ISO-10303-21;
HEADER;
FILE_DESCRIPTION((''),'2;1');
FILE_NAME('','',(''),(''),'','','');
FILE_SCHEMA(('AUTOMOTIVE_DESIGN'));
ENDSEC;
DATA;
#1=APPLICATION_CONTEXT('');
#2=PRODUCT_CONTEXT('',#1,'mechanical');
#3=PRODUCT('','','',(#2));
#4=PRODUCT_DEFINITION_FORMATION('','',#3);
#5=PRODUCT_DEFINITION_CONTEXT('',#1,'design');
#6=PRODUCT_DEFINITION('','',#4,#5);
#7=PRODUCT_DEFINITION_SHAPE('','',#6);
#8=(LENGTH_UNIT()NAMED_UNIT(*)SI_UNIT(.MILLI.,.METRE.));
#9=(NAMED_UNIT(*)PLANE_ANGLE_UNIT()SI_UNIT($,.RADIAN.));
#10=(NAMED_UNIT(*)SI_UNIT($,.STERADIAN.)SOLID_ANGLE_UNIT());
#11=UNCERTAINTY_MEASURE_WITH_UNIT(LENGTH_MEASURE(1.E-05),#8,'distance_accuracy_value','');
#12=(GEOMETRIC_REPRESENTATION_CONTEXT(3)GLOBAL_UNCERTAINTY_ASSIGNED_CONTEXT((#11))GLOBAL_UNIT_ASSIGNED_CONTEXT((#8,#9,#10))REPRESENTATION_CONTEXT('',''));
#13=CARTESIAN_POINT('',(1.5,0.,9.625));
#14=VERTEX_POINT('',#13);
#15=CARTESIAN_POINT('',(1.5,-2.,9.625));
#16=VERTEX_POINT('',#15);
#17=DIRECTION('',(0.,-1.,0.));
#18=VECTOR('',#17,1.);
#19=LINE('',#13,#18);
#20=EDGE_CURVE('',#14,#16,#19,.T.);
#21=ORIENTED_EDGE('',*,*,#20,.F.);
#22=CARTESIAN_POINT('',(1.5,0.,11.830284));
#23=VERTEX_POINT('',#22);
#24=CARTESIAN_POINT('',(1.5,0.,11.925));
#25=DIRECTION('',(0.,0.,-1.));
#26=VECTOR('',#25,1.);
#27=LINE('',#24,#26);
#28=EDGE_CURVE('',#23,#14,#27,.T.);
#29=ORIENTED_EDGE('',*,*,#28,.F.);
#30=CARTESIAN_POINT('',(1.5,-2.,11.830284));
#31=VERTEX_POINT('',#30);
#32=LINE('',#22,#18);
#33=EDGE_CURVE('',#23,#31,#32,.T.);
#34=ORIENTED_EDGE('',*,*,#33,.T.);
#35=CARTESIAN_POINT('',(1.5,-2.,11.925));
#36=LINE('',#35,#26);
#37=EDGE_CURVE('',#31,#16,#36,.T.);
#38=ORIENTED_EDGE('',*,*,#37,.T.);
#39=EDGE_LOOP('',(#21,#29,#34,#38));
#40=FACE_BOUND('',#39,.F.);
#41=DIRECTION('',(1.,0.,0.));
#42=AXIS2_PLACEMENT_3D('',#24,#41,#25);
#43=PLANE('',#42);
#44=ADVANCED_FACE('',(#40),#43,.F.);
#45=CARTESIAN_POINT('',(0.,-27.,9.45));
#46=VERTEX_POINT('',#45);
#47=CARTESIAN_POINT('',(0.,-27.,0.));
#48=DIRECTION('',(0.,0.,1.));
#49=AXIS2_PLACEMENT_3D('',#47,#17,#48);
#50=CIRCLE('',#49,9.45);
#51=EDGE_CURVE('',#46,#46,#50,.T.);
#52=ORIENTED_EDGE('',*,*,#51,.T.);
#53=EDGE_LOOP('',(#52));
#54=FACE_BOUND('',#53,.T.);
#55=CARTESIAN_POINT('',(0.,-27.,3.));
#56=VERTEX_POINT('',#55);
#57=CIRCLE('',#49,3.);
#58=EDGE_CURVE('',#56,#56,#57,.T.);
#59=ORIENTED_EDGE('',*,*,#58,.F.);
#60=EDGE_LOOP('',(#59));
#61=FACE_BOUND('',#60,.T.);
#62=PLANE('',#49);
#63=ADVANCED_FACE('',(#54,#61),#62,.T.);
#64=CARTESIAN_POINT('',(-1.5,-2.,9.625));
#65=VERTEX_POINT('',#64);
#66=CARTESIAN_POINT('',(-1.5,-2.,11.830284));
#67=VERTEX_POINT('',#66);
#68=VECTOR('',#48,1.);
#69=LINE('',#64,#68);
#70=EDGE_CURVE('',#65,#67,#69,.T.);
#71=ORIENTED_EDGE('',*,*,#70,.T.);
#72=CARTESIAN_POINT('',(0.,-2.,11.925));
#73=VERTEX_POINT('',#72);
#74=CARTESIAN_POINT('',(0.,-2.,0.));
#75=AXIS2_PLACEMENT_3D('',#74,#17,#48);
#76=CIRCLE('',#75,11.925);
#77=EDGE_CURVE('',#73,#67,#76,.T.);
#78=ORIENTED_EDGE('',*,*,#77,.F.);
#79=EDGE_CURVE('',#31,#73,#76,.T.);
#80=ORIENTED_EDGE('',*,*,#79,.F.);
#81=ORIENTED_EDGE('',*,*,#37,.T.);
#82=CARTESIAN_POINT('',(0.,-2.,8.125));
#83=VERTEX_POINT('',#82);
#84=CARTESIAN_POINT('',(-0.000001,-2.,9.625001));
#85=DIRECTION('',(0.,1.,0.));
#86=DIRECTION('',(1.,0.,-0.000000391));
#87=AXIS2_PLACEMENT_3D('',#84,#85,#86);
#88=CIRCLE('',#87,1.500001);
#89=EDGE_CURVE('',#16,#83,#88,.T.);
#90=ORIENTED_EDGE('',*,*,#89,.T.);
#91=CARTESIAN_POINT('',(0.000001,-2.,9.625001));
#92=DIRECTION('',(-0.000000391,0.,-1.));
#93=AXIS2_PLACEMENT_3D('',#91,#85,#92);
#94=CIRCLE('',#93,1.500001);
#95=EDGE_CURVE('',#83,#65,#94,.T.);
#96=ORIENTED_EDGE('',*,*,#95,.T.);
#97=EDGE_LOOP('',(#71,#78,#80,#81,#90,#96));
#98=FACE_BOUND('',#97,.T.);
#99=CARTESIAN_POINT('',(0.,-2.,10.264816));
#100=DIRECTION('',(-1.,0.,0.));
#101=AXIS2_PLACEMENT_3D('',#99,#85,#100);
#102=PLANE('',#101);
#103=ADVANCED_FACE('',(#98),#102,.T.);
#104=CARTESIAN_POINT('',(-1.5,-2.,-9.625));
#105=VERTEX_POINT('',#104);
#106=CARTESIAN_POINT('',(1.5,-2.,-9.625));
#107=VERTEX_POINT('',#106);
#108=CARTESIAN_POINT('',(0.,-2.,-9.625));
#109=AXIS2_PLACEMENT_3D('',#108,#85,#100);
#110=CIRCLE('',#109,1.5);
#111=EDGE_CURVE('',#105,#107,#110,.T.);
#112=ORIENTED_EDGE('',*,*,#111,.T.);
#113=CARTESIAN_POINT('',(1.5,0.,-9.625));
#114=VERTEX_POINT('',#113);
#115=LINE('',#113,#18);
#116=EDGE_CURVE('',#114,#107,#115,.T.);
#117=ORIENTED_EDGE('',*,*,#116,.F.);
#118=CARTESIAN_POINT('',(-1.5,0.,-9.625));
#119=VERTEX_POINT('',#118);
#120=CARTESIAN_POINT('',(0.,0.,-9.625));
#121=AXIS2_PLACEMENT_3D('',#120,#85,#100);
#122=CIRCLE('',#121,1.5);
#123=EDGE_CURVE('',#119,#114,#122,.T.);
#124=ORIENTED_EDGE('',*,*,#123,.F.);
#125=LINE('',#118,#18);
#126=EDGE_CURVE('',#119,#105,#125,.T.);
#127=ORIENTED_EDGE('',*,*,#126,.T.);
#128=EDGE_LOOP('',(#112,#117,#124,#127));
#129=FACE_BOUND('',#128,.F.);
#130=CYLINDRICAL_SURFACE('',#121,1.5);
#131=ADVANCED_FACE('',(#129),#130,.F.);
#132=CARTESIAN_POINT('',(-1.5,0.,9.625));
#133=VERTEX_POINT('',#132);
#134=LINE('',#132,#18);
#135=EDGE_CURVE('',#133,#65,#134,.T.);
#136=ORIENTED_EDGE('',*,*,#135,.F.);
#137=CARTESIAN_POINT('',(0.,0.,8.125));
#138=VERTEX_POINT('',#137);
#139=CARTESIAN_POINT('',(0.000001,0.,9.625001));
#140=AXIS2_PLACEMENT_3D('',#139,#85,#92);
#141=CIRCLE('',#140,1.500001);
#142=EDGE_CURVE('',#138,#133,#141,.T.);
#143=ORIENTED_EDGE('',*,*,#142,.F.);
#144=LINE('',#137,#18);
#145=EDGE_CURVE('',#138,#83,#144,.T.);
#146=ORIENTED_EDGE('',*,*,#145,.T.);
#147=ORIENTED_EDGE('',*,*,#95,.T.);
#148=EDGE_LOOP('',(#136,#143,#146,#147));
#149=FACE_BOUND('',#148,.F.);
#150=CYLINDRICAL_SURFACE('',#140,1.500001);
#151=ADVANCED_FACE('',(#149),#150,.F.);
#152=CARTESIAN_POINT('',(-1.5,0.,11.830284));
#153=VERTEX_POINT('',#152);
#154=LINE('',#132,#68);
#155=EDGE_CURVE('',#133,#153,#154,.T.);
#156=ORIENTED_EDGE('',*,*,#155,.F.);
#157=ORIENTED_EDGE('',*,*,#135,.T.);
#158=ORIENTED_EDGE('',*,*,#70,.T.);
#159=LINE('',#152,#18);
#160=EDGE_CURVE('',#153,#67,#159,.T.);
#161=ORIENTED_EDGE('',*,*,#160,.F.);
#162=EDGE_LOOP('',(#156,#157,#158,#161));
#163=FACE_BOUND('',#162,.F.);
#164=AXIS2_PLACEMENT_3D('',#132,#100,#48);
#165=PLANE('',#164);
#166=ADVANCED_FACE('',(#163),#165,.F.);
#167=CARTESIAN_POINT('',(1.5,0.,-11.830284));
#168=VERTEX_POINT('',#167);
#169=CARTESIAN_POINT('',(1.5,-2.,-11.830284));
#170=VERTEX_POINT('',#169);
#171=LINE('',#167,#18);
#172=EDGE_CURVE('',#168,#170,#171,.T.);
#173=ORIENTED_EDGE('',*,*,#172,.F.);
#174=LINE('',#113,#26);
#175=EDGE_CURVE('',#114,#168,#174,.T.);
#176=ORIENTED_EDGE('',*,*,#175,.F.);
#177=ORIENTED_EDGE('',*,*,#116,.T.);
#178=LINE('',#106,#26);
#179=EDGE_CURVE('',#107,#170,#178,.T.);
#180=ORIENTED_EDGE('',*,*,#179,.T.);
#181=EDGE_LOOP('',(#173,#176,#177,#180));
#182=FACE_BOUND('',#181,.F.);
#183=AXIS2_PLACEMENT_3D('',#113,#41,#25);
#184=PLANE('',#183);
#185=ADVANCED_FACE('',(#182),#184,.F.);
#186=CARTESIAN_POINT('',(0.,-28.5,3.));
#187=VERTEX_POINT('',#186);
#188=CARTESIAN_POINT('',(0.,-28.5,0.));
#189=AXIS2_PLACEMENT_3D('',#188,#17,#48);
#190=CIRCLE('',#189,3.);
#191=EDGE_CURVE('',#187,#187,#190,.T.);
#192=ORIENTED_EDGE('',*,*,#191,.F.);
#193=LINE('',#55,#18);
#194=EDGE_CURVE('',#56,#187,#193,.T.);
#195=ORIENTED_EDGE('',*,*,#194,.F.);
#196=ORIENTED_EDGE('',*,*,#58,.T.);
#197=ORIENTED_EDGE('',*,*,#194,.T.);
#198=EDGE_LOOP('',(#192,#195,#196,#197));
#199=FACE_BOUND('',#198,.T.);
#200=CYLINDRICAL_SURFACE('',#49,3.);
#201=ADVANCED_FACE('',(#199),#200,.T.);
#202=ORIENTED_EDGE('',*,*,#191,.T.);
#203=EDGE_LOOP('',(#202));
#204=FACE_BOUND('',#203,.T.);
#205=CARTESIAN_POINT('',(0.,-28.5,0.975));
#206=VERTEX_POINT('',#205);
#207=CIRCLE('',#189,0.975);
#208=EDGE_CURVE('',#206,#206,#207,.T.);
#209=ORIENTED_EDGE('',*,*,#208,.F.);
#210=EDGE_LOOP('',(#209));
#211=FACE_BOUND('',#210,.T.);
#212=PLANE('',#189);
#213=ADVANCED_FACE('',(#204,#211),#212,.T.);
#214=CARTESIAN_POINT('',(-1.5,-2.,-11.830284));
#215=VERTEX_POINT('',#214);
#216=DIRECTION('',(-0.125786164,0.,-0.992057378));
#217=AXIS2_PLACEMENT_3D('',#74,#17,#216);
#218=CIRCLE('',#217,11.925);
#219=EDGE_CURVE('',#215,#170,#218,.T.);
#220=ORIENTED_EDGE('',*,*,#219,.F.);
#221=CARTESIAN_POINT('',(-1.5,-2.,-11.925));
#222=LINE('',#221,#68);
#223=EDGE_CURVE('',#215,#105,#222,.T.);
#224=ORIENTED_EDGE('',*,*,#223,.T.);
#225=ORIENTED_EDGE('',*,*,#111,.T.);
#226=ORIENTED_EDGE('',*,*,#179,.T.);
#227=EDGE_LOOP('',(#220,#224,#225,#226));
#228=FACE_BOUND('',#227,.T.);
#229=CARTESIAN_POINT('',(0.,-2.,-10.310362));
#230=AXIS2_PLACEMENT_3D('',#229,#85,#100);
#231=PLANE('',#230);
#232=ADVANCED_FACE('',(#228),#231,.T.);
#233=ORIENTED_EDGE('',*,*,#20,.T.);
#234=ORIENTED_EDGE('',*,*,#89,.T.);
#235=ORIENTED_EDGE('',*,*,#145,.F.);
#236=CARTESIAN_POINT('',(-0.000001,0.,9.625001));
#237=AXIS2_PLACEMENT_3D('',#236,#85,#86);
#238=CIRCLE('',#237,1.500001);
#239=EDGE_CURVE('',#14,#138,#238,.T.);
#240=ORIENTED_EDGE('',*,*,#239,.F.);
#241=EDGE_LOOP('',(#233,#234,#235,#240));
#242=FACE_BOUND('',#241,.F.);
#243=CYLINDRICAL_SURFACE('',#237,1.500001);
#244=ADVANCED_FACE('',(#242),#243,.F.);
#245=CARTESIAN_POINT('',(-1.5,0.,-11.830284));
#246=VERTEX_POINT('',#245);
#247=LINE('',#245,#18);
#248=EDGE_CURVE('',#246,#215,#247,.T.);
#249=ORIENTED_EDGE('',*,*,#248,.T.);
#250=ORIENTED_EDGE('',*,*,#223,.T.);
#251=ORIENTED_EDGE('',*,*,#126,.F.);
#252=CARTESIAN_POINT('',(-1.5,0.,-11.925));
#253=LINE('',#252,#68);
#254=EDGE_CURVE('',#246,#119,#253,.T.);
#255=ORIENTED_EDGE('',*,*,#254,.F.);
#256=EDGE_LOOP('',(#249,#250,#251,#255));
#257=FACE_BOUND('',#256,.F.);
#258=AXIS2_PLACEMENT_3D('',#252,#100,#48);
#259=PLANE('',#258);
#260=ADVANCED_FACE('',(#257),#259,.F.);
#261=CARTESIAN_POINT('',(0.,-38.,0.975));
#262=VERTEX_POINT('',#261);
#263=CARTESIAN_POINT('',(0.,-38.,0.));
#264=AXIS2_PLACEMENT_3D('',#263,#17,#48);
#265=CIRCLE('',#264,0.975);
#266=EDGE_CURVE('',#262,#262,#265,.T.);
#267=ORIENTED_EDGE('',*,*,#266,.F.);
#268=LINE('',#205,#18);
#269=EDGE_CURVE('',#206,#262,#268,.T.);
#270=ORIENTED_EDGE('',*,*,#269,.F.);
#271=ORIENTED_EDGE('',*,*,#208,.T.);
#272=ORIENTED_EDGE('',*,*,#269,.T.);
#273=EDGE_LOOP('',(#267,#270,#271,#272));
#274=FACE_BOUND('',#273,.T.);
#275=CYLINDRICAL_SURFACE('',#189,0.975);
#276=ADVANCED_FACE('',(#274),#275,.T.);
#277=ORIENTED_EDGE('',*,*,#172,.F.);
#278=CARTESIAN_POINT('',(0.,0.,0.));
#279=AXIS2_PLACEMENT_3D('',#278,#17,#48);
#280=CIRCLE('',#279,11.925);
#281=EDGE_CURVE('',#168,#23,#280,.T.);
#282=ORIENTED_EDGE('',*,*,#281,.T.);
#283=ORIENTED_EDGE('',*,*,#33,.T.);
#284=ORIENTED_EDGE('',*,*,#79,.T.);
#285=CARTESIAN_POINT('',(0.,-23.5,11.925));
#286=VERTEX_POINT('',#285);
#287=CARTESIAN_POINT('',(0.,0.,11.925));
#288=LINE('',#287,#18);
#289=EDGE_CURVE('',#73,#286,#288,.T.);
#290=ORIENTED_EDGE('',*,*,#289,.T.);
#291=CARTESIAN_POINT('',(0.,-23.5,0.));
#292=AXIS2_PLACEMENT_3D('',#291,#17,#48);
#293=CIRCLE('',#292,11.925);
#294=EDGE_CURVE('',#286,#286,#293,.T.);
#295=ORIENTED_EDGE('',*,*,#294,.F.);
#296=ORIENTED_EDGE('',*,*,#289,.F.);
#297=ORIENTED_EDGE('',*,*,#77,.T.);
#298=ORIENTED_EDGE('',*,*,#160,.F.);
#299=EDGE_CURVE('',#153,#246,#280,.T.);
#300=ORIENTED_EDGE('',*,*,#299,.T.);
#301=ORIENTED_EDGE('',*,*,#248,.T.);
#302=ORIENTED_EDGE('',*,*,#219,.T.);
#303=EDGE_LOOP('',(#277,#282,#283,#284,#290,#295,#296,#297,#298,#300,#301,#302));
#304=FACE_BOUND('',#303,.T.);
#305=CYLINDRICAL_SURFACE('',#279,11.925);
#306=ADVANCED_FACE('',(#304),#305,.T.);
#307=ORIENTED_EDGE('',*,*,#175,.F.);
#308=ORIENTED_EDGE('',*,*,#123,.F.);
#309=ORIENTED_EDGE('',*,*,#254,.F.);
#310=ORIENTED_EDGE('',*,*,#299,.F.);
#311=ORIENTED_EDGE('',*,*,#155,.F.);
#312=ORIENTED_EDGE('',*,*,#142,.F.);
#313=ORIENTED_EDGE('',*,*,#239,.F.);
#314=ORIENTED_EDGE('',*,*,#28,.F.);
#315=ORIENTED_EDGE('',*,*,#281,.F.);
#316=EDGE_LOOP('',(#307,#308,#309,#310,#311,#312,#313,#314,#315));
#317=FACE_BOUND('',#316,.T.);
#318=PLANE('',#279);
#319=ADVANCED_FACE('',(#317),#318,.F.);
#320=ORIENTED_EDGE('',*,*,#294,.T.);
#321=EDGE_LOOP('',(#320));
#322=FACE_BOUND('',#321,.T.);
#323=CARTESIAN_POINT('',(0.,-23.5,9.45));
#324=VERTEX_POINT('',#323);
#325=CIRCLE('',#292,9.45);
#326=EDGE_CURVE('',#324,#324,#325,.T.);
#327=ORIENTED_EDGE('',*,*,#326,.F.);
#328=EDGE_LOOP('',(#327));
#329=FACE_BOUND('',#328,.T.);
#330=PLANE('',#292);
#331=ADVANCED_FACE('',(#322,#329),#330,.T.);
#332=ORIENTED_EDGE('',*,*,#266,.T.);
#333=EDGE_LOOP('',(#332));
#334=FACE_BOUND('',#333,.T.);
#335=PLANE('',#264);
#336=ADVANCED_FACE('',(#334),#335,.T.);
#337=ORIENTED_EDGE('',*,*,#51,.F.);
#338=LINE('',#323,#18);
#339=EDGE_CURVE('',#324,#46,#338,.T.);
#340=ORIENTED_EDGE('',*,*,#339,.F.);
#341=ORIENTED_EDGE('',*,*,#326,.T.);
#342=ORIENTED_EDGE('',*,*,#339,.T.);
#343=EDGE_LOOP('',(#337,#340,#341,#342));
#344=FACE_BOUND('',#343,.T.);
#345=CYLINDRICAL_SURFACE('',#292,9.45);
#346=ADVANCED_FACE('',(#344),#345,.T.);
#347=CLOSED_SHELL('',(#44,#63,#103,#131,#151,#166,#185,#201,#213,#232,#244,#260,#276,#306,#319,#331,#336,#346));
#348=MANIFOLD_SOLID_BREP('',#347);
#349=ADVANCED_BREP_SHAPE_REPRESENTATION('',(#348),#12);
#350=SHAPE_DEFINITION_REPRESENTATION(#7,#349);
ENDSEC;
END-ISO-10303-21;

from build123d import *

# Parameters (mm, degrees)
F3_DEPTH = 2


with BuildPart() as f1:
    # F0 (on Right) → F1 (revolve)
    with BuildSketch(Plane.YZ):
        Polygon((-38, 0), (0, 0), (0, 11.925), (-23.5, 11.925), (-23.5, 9.45), (-27, 9.45), (-27, 3), (-28.5, 3), (-28.5, 0.975), (-38, 0.975), align=None)
    revolve(axis=Axis((0, -23.908602, 0), (0, -1, 0)))

    # F2 (on face) → F3 (cut)
    with BuildSketch(Plane(origin=(0, 0, 0), x_dir=(-1, 0, 0), z_dir=(0, 1, 0))):
        with BuildLine():
            Line((1.5, 11.925), (-1.5, 11.925))
            Line((-1.5, 11.925), (-1.5, 9.625))
            ThreePointArc((-1.5, 9.625), (-1.06066, 8.56434), (0, 8.125))
            ThreePointArc((0, 8.125), (1.06066, 8.56434), (1.5, 9.625))
            Line((1.5, 9.625), (1.5, 11.925))
        make_face()
        with BuildLine():
            Line((1.5, -11.925), (1.5, -9.625))
            ThreePointArc((1.5, -9.625), (0, -8.125), (-1.5, -9.625))
            Line((-1.5, -9.625), (-1.5, -11.925))
            Line((-1.5, -11.925), (1.5, -11.925))
        make_face()
    extrude(amount=-F3_DEPTH, mode=Mode.SUBTRACT)


solid = f1.part
